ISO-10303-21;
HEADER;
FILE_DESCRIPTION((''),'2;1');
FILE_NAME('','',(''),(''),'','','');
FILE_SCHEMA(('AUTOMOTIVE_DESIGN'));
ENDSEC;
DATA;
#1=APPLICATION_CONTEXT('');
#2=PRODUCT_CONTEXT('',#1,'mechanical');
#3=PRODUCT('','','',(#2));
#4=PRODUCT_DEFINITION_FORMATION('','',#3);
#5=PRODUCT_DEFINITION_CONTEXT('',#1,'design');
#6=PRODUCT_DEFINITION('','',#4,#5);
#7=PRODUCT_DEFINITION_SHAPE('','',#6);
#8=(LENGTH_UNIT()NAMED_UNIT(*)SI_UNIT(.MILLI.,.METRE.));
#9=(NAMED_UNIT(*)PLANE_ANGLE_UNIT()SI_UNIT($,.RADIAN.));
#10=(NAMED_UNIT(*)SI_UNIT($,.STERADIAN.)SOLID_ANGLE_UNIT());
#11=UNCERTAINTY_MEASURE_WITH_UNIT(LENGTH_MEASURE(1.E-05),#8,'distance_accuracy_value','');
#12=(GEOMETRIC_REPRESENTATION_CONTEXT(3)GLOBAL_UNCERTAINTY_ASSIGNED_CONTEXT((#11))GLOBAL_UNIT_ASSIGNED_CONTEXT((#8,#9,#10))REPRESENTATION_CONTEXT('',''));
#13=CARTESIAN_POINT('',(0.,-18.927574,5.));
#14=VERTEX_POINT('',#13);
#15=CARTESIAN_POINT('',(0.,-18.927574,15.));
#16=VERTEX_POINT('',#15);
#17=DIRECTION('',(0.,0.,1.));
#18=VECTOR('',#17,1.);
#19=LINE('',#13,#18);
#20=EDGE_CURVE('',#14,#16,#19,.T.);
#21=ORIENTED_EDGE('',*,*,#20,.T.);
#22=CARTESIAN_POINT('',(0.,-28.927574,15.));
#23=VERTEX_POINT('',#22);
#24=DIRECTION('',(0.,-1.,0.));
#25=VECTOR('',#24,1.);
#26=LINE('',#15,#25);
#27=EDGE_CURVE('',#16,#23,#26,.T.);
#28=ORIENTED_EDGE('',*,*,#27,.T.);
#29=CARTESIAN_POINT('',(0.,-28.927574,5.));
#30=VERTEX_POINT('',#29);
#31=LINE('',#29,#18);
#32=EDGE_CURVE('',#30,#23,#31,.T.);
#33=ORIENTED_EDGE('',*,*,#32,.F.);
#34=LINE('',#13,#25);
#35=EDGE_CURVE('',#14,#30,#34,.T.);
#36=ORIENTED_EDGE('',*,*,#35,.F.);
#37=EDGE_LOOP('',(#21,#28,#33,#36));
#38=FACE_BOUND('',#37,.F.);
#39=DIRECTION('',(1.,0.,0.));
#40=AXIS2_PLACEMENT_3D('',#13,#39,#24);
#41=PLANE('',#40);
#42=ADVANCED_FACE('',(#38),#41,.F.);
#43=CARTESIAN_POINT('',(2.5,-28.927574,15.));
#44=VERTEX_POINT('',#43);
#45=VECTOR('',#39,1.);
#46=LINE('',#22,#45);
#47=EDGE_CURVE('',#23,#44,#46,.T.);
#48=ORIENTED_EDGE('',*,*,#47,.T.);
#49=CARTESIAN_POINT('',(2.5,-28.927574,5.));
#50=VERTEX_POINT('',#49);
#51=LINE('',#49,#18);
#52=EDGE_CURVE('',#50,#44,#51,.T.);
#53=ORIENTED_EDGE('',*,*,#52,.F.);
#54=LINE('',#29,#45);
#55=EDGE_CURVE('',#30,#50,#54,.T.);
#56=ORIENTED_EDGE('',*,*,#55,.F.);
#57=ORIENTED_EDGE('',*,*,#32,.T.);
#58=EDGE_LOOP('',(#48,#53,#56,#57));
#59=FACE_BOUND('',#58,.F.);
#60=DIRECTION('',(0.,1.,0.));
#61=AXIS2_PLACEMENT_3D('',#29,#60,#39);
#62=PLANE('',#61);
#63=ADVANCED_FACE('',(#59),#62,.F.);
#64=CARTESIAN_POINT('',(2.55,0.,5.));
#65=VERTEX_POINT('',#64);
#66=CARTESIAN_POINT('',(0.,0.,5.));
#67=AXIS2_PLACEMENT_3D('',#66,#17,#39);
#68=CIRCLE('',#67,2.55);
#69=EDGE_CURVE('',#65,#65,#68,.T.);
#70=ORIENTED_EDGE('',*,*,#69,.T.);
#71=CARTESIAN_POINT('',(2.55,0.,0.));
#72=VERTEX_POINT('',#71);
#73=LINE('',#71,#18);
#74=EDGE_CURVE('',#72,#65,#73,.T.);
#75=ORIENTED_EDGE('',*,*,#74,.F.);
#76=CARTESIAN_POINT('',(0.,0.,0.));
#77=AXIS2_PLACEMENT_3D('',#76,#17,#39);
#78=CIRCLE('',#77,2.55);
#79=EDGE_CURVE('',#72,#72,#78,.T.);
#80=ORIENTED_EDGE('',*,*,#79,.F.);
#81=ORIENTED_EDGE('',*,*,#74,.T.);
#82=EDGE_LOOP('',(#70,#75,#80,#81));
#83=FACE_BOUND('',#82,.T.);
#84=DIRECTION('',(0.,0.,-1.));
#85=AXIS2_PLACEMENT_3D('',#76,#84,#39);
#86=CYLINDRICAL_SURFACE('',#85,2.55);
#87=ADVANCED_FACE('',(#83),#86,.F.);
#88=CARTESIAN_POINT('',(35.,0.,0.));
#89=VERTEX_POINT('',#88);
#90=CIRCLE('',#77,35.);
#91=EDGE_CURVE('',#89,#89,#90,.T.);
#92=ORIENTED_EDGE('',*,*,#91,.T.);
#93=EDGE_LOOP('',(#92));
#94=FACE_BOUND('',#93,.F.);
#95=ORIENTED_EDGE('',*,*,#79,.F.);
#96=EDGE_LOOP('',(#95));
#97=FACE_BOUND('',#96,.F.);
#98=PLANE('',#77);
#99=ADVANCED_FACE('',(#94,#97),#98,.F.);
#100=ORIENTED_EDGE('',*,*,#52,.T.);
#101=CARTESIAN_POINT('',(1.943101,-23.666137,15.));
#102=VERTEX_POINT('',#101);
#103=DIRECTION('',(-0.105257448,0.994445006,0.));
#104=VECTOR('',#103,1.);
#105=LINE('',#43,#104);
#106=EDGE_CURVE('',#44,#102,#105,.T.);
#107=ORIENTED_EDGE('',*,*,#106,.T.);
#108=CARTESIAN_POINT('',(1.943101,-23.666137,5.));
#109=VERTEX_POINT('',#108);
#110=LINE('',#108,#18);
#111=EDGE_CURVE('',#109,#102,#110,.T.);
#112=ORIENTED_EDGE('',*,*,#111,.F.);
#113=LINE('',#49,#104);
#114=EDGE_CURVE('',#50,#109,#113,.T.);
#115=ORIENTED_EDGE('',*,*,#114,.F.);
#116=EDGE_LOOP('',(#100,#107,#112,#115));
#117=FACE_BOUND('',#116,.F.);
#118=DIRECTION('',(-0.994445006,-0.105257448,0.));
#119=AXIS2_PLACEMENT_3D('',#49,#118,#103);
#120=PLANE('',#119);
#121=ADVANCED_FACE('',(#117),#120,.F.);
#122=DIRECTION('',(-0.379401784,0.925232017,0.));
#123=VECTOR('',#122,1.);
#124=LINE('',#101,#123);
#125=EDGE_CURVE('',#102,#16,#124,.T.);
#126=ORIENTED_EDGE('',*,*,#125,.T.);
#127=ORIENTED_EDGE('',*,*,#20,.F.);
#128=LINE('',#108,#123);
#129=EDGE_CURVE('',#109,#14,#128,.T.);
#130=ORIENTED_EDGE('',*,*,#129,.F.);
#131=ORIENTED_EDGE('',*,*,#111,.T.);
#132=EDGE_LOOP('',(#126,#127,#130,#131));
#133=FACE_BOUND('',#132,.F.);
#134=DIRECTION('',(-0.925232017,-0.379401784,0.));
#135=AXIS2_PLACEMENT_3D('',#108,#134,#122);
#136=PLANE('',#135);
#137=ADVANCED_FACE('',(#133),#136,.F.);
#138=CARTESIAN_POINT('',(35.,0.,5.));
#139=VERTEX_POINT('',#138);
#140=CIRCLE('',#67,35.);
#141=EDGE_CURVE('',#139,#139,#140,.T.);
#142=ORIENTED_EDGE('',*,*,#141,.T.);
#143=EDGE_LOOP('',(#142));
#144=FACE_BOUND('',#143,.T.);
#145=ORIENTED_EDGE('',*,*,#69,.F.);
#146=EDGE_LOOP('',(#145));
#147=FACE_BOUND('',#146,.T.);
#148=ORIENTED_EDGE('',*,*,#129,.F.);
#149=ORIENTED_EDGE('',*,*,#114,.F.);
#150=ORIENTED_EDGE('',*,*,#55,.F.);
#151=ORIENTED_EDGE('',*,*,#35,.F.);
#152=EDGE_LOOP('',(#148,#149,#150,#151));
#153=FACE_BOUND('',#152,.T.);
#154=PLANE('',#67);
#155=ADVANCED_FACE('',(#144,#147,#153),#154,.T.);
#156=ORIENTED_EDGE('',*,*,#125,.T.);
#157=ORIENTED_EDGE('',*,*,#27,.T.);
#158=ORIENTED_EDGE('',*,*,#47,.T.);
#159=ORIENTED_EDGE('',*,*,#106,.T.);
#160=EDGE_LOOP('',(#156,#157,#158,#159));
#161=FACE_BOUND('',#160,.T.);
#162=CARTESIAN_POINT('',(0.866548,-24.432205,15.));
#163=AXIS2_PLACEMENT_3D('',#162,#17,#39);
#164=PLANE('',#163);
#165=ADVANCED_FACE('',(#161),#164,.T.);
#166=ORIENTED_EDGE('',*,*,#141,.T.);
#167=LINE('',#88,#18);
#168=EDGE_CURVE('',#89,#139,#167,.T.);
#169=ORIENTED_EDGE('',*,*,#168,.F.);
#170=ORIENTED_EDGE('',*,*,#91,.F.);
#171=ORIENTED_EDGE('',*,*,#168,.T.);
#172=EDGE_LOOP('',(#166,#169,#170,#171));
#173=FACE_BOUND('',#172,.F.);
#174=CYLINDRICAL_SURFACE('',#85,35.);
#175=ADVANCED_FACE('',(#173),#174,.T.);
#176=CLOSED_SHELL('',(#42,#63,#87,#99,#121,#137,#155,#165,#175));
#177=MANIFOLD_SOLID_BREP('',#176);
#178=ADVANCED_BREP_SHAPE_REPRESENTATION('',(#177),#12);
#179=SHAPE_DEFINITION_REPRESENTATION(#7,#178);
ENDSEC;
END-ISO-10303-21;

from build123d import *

# Parameters (mm, degrees)
F0_R     = 35
F0_R_2   = 2.55
F1_DEPTH = 5
F3_DEPTH = 10


with BuildPart() as f1:
    # F0 (on Top) → F1 (new body)
    with BuildSketch(Plane.XY):
        Circle(F0_R)
        Circle(F0_R_2, mode=Mode.SUBTRACT)
    extrude(amount=F1_DEPTH)

    # F2 (on face) → F3 (join)
    with BuildSketch(Plane.XY.offset(5)):
        Polygon((1.943101, -23.666137), (0, -18.927574), (0, -28.927574), (2.5, -28.927574), align=None)
    extrude(amount=F3_DEPTH)


solid = f1.part
